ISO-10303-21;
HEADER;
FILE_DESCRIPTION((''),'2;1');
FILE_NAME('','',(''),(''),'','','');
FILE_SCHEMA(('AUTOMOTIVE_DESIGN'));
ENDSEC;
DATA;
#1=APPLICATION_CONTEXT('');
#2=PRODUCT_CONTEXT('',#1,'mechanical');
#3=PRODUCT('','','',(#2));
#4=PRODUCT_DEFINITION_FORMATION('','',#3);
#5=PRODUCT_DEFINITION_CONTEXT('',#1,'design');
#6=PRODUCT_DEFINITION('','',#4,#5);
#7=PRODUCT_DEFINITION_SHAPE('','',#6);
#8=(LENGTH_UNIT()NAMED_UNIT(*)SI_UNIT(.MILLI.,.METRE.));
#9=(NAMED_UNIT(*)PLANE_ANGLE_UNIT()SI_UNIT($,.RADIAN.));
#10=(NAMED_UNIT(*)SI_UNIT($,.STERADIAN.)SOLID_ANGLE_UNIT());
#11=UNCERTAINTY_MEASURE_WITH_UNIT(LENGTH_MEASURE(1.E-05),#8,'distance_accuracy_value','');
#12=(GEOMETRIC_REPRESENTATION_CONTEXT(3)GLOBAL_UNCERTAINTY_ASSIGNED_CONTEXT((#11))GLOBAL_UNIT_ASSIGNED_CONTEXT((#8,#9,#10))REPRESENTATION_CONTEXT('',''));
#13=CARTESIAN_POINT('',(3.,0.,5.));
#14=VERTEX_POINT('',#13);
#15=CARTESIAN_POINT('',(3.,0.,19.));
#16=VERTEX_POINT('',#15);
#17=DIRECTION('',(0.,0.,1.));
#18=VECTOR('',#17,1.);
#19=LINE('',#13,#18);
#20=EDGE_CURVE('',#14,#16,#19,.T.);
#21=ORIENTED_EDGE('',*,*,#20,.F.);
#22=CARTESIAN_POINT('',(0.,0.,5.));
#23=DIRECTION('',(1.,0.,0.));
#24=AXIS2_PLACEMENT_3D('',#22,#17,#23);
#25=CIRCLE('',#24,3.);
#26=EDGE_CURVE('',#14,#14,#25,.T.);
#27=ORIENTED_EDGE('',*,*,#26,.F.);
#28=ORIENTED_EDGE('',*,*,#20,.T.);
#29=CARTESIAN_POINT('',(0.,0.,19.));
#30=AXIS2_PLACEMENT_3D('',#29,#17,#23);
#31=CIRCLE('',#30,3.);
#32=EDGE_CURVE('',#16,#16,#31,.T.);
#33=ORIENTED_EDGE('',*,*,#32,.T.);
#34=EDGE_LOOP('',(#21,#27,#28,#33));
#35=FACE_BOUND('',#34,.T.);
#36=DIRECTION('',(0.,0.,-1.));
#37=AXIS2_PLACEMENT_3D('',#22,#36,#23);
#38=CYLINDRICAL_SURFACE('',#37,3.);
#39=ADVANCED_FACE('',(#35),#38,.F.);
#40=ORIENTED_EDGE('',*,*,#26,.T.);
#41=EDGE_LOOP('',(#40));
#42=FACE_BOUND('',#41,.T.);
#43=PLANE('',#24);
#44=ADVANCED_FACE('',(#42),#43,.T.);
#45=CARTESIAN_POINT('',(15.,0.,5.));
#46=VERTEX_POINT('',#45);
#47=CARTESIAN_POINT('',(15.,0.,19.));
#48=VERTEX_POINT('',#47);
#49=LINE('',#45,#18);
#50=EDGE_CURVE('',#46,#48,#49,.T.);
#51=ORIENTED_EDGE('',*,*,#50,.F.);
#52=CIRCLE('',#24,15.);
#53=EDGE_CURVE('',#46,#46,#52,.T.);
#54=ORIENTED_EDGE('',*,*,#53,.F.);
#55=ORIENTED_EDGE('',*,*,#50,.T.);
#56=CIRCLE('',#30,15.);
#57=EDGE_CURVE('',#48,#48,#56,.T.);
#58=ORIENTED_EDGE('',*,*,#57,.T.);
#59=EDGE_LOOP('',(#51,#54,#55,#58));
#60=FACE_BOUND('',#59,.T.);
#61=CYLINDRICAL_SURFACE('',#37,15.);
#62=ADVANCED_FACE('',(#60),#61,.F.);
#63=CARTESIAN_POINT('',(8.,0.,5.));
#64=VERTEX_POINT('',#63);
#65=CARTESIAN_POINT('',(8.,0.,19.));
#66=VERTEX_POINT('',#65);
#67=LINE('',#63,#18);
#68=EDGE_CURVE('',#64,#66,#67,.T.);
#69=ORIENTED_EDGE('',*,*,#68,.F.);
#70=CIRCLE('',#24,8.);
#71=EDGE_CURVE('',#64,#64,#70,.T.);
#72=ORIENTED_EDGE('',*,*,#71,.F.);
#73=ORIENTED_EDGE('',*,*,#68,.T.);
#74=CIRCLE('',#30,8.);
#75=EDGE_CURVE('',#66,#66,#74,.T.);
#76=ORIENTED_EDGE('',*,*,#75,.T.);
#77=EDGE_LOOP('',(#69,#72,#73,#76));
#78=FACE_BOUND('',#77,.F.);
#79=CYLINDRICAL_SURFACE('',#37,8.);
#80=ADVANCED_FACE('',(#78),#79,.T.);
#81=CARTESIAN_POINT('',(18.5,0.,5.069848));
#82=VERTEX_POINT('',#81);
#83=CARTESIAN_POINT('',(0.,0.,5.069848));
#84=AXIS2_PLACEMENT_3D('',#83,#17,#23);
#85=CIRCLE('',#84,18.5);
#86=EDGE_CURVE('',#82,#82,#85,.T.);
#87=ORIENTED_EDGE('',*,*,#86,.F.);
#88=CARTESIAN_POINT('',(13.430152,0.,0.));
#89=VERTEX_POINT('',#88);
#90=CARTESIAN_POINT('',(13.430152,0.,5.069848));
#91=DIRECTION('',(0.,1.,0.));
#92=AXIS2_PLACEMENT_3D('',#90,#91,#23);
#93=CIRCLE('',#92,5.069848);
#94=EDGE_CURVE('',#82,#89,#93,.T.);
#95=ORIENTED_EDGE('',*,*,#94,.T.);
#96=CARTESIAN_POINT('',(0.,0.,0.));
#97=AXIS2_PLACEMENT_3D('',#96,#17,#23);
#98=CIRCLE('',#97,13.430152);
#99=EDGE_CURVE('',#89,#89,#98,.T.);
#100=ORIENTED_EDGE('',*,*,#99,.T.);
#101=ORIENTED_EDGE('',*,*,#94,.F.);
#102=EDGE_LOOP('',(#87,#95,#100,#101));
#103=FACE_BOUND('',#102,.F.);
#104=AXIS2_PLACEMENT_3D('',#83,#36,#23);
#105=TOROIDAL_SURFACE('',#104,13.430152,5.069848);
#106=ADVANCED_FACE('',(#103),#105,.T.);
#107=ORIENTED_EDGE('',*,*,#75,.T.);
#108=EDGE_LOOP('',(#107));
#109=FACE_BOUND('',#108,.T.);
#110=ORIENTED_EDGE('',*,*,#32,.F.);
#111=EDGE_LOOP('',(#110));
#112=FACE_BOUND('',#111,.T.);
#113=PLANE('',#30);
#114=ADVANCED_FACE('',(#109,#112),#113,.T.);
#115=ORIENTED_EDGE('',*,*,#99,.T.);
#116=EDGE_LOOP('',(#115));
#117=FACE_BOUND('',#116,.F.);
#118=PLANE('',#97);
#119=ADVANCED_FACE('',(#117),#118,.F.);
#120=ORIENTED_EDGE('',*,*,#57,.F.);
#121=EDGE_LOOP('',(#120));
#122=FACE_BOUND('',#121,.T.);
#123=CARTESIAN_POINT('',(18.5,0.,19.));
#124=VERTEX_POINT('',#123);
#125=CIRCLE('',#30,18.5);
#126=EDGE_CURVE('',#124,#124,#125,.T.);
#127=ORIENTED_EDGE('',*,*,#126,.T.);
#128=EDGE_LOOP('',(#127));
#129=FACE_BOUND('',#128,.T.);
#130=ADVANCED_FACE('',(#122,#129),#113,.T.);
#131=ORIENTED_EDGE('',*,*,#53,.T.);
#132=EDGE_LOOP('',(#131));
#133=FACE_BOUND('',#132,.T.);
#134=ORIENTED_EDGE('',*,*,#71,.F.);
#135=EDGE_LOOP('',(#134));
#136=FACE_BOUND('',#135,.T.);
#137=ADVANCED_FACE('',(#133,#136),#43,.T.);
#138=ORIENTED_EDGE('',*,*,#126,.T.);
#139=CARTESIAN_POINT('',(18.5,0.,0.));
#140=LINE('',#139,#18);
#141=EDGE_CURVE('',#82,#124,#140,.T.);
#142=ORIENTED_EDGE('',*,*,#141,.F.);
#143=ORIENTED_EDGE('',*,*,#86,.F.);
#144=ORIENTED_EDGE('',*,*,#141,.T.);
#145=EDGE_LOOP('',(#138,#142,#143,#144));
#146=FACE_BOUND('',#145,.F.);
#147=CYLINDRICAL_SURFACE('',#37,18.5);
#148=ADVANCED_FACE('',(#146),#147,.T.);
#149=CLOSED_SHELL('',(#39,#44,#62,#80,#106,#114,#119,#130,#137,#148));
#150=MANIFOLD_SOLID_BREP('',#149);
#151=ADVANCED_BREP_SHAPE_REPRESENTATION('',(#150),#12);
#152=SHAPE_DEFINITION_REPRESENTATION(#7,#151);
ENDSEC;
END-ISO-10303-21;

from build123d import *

# Parameters (mm, degrees)
F0_R     = 18.5
F1_DEPTH = 5
F2_R     = 18.5
F2_R_2   = 15
F3_DEPTH = 14
F4_R     = 5.069848
F5_R     = 8
F5_R_2   = 3
F6_DEPTH = 14


with BuildPart() as f1:
    # F0 (on Top) → F1 (new body)
    with BuildSketch(Plane.XY):
        Circle(F0_R)
    extrude(amount=F1_DEPTH)

    # F2 (on face) → F3 (join)
    with BuildSketch(Plane.XY.offset(5)):
        Circle(F2_R)
        Circle(F2_R_2, mode=Mode.SUBTRACT)
    extrude(amount=F3_DEPTH)

    # F4
    f4_edges = [f1.edges().sort_by_distance(p)[0] for p in [
        (-18.5, 0, 0),
    ]]
    fillet(f4_edges, radius=F4_R)

    # F5 (on face) → F6 (join)
    with BuildSketch(Plane.XY.offset(5)):
        Circle(F5_R)
        Circle(F5_R_2, mode=Mode.SUBTRACT)
    extrude(amount=F6_DEPTH)


solid = f1.part
